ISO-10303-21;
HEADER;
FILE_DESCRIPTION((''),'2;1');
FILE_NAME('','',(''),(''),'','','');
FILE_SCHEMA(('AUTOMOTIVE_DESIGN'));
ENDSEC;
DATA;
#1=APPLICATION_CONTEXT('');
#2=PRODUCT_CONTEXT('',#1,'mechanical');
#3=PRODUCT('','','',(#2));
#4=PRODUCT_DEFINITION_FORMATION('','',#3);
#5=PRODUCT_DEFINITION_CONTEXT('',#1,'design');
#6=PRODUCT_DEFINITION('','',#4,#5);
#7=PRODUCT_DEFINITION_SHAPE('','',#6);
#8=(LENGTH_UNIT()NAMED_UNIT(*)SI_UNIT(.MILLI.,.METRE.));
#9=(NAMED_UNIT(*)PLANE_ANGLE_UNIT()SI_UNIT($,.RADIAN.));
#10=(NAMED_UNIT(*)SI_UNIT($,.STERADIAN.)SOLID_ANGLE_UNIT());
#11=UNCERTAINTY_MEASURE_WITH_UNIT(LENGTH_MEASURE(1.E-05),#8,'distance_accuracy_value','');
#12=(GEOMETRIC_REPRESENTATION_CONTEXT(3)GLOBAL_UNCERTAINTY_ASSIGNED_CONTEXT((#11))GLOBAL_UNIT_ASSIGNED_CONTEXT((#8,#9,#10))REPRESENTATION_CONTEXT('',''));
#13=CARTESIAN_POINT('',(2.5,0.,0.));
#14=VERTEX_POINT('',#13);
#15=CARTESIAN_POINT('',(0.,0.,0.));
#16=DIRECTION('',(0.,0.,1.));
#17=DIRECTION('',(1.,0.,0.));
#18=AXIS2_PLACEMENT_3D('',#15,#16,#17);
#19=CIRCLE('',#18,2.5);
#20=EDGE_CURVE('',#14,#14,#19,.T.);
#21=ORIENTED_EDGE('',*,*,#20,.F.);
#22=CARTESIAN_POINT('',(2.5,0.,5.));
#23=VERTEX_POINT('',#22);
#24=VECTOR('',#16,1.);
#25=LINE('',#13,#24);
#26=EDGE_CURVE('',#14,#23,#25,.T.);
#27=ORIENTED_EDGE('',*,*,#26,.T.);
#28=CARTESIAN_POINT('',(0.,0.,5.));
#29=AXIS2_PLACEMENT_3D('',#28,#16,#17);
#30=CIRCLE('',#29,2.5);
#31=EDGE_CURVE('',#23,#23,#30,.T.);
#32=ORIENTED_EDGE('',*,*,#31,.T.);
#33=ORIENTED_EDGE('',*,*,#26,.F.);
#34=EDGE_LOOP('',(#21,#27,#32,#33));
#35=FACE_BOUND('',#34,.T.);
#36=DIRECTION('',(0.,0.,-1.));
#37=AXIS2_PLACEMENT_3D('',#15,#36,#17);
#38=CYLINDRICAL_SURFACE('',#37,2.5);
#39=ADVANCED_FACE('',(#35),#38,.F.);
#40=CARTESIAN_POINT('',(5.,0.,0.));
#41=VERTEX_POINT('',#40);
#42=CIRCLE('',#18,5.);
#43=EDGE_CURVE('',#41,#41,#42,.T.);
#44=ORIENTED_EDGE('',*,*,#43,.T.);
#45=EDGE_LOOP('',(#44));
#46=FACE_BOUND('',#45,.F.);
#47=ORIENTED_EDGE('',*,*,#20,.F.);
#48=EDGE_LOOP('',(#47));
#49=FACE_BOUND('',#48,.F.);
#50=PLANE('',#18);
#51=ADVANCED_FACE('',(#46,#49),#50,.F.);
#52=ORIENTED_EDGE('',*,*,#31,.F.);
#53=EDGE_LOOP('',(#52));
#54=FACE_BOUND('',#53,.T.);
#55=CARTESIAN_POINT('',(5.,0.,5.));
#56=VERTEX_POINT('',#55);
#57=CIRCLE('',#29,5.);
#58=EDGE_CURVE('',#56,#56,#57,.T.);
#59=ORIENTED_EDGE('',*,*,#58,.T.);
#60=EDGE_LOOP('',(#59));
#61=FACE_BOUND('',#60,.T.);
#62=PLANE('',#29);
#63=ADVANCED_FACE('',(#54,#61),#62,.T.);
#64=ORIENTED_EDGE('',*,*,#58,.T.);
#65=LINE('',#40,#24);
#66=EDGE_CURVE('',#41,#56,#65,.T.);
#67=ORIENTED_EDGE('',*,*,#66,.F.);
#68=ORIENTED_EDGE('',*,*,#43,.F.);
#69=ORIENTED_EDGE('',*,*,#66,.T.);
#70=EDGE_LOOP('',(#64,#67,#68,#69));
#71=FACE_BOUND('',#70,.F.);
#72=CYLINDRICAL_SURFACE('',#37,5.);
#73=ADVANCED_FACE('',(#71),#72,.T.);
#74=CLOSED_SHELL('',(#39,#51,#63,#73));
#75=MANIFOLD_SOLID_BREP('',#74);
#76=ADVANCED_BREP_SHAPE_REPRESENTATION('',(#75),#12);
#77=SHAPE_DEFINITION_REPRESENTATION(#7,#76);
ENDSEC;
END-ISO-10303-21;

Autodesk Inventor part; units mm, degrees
ref_plane "YZ Plane" through (0, 0, 0) normal (1, 0, 0) x (0, 1, 0)
ref_plane "XZ Plane" through (0, 0, 0) normal (0, 1, 0) x (-1, 0, 0)
ref_plane "XY Plane" through (0, 0, 0) normal (0, 0, 1) x (1, 0, 0)
sketch "Boceto1" plane through (0, 0, 0) normal (0, 0, 1) x (1, 0, 0)
  circle A0 centre (0, 0) radius 2.5
  circle A1 centre (0, 0) radius 5
  dimension "d0" = 5
  dimension "d1" = 10
extrude "Extrusión1" add sketch "Boceto1" along normal blind 5
properties part number "Resistencia_Arandela_2" material "Plástico ABS"
